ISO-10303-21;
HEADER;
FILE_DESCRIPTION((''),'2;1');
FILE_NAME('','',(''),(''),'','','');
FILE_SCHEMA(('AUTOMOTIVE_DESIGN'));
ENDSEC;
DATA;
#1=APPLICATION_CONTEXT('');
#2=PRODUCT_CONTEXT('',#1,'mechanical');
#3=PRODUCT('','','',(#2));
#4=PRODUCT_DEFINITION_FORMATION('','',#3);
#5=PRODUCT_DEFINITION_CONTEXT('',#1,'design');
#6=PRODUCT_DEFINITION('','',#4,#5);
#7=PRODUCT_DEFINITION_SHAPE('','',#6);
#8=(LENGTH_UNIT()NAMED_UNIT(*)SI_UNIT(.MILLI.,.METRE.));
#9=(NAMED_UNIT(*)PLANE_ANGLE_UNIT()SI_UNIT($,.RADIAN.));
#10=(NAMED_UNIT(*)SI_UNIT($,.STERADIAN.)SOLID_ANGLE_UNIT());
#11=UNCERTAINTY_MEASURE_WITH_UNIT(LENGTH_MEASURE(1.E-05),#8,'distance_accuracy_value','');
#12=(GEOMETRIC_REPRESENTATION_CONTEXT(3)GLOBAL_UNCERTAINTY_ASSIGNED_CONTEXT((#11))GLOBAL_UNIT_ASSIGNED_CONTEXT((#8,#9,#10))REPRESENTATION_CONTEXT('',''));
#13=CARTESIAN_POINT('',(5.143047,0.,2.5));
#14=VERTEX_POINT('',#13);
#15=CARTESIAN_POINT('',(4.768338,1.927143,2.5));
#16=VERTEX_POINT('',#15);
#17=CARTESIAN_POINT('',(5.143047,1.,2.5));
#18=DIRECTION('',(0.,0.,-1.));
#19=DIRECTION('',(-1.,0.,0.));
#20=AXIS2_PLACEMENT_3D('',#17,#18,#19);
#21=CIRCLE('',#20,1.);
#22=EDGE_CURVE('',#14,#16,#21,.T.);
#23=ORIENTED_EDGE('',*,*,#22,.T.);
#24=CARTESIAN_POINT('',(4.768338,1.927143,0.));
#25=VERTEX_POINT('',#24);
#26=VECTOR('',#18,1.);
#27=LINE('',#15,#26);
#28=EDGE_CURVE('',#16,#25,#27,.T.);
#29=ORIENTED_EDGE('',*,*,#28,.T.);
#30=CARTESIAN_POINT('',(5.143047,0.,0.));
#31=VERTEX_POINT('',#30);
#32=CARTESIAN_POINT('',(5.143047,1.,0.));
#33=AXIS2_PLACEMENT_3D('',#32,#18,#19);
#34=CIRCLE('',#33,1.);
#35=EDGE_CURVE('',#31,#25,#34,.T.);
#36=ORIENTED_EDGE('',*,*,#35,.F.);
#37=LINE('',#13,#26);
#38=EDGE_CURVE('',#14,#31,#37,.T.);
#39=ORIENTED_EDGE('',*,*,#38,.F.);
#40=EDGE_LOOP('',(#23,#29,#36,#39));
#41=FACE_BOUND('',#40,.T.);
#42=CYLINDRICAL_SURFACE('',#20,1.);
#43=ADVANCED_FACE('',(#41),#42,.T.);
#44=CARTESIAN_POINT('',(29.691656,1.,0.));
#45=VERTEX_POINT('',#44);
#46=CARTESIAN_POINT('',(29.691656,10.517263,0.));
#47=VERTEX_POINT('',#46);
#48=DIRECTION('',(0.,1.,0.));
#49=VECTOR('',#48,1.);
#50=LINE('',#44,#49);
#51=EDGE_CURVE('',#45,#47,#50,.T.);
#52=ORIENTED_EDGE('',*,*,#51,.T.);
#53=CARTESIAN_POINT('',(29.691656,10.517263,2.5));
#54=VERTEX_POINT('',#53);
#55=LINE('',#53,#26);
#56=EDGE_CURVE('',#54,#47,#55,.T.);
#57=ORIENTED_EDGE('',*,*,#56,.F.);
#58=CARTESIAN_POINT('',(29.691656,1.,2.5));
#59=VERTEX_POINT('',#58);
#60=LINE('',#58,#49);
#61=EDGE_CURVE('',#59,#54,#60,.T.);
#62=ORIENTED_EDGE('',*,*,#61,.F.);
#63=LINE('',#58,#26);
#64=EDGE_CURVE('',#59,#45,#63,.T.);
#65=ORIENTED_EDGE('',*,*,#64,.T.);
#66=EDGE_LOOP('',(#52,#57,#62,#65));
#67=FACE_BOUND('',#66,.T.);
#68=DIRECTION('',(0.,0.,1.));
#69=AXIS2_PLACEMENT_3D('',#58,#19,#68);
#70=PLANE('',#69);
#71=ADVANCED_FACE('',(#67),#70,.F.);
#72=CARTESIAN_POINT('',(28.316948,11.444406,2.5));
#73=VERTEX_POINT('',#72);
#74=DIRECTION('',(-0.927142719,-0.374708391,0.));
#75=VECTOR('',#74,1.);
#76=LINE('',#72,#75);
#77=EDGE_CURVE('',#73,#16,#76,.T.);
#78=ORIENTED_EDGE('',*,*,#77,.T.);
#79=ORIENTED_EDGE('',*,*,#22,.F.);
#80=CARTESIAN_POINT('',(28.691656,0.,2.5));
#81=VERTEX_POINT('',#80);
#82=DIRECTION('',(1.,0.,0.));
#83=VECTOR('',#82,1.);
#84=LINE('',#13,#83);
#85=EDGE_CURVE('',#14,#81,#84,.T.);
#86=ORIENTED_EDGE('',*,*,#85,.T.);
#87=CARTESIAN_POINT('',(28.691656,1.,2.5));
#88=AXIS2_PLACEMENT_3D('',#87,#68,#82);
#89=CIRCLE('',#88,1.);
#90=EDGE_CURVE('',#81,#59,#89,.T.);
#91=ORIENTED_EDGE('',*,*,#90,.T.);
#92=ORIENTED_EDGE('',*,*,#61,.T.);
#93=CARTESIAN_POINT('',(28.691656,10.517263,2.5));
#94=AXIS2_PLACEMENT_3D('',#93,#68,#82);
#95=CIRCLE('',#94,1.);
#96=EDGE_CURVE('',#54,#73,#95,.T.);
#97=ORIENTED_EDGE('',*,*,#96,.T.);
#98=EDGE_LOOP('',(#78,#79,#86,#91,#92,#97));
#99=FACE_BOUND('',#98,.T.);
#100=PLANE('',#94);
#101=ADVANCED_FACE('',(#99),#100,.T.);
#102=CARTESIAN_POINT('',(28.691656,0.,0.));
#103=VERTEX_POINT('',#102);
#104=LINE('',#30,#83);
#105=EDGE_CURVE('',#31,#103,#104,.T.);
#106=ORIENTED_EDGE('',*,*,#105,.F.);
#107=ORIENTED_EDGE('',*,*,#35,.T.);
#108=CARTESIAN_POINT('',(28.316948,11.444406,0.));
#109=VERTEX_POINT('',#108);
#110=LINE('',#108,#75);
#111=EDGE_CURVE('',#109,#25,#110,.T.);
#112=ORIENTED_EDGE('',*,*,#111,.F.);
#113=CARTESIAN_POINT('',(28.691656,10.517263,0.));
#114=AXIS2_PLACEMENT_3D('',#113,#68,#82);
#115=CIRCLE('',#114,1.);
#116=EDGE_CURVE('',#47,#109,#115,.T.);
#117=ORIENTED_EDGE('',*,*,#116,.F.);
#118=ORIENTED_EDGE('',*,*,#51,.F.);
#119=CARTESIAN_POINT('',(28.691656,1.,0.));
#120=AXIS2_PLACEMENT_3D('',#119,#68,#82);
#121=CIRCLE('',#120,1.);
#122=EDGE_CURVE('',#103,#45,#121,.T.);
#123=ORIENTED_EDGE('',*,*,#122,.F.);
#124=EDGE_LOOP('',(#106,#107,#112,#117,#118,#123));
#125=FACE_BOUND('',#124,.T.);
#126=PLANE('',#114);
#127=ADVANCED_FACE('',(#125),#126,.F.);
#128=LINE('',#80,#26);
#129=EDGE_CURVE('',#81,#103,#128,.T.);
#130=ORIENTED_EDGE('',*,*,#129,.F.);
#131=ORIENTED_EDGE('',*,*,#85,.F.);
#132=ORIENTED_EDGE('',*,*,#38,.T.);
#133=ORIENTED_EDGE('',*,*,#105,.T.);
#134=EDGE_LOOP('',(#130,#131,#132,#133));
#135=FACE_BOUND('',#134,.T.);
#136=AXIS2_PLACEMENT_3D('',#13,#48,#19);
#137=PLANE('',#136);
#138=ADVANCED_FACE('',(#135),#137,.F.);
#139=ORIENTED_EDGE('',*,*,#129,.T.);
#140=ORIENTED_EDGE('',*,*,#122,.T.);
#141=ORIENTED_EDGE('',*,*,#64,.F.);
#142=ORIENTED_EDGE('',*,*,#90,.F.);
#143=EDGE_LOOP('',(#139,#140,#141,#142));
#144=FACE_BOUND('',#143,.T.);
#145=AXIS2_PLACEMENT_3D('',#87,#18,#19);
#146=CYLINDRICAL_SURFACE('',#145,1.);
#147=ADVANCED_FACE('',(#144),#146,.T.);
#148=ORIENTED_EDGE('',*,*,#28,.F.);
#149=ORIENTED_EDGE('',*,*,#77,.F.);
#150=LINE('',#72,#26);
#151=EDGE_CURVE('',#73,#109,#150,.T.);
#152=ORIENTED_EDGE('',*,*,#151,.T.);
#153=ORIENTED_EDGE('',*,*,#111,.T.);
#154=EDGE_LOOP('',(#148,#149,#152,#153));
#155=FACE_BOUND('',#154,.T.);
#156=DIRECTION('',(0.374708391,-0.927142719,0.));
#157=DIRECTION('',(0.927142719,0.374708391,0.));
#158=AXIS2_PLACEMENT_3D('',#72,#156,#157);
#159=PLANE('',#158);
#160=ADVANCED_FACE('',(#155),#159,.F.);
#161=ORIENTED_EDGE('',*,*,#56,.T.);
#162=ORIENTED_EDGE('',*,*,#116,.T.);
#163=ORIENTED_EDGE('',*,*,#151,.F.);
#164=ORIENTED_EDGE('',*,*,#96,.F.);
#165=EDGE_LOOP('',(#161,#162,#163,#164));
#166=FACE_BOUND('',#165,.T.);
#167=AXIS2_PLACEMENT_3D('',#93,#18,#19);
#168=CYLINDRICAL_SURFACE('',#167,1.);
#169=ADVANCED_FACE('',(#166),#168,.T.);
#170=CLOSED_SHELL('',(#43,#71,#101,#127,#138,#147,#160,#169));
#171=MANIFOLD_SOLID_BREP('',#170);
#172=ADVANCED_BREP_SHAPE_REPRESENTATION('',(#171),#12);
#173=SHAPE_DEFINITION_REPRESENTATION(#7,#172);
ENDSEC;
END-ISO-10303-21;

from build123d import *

# Parameters (mm, degrees)
BOSS_EXTRUDE1_DEPTH = 2.5


with BuildPart() as part:
    # Sketch1 → Boss-Extrude1 (new body)
    with BuildSketch(Plane.XY):
        with BuildLine():
            Line((5.143046602, 0), (28.69165592, 0))
            ThreePointArc((28.69165592, 0), (29.398762701, 0.292893219), (29.69165592, 1))
            Line((29.69165592, 1), (29.69165592, 10.517263456))
            ThreePointArc((29.69165592, 10.517263456), (29.25080331, 11.346331725), (28.316947529, 11.444406175))
            Line((28.316947529, 11.444406175), (4.76833821, 1.927142719))
            ThreePointArc((4.76833821, 1.927142719), (4.161429895, 0.809137116), (5.143046602, 0))
        make_face()
    extrude(amount=BOSS_EXTRUDE1_DEPTH)


solid = part.part
